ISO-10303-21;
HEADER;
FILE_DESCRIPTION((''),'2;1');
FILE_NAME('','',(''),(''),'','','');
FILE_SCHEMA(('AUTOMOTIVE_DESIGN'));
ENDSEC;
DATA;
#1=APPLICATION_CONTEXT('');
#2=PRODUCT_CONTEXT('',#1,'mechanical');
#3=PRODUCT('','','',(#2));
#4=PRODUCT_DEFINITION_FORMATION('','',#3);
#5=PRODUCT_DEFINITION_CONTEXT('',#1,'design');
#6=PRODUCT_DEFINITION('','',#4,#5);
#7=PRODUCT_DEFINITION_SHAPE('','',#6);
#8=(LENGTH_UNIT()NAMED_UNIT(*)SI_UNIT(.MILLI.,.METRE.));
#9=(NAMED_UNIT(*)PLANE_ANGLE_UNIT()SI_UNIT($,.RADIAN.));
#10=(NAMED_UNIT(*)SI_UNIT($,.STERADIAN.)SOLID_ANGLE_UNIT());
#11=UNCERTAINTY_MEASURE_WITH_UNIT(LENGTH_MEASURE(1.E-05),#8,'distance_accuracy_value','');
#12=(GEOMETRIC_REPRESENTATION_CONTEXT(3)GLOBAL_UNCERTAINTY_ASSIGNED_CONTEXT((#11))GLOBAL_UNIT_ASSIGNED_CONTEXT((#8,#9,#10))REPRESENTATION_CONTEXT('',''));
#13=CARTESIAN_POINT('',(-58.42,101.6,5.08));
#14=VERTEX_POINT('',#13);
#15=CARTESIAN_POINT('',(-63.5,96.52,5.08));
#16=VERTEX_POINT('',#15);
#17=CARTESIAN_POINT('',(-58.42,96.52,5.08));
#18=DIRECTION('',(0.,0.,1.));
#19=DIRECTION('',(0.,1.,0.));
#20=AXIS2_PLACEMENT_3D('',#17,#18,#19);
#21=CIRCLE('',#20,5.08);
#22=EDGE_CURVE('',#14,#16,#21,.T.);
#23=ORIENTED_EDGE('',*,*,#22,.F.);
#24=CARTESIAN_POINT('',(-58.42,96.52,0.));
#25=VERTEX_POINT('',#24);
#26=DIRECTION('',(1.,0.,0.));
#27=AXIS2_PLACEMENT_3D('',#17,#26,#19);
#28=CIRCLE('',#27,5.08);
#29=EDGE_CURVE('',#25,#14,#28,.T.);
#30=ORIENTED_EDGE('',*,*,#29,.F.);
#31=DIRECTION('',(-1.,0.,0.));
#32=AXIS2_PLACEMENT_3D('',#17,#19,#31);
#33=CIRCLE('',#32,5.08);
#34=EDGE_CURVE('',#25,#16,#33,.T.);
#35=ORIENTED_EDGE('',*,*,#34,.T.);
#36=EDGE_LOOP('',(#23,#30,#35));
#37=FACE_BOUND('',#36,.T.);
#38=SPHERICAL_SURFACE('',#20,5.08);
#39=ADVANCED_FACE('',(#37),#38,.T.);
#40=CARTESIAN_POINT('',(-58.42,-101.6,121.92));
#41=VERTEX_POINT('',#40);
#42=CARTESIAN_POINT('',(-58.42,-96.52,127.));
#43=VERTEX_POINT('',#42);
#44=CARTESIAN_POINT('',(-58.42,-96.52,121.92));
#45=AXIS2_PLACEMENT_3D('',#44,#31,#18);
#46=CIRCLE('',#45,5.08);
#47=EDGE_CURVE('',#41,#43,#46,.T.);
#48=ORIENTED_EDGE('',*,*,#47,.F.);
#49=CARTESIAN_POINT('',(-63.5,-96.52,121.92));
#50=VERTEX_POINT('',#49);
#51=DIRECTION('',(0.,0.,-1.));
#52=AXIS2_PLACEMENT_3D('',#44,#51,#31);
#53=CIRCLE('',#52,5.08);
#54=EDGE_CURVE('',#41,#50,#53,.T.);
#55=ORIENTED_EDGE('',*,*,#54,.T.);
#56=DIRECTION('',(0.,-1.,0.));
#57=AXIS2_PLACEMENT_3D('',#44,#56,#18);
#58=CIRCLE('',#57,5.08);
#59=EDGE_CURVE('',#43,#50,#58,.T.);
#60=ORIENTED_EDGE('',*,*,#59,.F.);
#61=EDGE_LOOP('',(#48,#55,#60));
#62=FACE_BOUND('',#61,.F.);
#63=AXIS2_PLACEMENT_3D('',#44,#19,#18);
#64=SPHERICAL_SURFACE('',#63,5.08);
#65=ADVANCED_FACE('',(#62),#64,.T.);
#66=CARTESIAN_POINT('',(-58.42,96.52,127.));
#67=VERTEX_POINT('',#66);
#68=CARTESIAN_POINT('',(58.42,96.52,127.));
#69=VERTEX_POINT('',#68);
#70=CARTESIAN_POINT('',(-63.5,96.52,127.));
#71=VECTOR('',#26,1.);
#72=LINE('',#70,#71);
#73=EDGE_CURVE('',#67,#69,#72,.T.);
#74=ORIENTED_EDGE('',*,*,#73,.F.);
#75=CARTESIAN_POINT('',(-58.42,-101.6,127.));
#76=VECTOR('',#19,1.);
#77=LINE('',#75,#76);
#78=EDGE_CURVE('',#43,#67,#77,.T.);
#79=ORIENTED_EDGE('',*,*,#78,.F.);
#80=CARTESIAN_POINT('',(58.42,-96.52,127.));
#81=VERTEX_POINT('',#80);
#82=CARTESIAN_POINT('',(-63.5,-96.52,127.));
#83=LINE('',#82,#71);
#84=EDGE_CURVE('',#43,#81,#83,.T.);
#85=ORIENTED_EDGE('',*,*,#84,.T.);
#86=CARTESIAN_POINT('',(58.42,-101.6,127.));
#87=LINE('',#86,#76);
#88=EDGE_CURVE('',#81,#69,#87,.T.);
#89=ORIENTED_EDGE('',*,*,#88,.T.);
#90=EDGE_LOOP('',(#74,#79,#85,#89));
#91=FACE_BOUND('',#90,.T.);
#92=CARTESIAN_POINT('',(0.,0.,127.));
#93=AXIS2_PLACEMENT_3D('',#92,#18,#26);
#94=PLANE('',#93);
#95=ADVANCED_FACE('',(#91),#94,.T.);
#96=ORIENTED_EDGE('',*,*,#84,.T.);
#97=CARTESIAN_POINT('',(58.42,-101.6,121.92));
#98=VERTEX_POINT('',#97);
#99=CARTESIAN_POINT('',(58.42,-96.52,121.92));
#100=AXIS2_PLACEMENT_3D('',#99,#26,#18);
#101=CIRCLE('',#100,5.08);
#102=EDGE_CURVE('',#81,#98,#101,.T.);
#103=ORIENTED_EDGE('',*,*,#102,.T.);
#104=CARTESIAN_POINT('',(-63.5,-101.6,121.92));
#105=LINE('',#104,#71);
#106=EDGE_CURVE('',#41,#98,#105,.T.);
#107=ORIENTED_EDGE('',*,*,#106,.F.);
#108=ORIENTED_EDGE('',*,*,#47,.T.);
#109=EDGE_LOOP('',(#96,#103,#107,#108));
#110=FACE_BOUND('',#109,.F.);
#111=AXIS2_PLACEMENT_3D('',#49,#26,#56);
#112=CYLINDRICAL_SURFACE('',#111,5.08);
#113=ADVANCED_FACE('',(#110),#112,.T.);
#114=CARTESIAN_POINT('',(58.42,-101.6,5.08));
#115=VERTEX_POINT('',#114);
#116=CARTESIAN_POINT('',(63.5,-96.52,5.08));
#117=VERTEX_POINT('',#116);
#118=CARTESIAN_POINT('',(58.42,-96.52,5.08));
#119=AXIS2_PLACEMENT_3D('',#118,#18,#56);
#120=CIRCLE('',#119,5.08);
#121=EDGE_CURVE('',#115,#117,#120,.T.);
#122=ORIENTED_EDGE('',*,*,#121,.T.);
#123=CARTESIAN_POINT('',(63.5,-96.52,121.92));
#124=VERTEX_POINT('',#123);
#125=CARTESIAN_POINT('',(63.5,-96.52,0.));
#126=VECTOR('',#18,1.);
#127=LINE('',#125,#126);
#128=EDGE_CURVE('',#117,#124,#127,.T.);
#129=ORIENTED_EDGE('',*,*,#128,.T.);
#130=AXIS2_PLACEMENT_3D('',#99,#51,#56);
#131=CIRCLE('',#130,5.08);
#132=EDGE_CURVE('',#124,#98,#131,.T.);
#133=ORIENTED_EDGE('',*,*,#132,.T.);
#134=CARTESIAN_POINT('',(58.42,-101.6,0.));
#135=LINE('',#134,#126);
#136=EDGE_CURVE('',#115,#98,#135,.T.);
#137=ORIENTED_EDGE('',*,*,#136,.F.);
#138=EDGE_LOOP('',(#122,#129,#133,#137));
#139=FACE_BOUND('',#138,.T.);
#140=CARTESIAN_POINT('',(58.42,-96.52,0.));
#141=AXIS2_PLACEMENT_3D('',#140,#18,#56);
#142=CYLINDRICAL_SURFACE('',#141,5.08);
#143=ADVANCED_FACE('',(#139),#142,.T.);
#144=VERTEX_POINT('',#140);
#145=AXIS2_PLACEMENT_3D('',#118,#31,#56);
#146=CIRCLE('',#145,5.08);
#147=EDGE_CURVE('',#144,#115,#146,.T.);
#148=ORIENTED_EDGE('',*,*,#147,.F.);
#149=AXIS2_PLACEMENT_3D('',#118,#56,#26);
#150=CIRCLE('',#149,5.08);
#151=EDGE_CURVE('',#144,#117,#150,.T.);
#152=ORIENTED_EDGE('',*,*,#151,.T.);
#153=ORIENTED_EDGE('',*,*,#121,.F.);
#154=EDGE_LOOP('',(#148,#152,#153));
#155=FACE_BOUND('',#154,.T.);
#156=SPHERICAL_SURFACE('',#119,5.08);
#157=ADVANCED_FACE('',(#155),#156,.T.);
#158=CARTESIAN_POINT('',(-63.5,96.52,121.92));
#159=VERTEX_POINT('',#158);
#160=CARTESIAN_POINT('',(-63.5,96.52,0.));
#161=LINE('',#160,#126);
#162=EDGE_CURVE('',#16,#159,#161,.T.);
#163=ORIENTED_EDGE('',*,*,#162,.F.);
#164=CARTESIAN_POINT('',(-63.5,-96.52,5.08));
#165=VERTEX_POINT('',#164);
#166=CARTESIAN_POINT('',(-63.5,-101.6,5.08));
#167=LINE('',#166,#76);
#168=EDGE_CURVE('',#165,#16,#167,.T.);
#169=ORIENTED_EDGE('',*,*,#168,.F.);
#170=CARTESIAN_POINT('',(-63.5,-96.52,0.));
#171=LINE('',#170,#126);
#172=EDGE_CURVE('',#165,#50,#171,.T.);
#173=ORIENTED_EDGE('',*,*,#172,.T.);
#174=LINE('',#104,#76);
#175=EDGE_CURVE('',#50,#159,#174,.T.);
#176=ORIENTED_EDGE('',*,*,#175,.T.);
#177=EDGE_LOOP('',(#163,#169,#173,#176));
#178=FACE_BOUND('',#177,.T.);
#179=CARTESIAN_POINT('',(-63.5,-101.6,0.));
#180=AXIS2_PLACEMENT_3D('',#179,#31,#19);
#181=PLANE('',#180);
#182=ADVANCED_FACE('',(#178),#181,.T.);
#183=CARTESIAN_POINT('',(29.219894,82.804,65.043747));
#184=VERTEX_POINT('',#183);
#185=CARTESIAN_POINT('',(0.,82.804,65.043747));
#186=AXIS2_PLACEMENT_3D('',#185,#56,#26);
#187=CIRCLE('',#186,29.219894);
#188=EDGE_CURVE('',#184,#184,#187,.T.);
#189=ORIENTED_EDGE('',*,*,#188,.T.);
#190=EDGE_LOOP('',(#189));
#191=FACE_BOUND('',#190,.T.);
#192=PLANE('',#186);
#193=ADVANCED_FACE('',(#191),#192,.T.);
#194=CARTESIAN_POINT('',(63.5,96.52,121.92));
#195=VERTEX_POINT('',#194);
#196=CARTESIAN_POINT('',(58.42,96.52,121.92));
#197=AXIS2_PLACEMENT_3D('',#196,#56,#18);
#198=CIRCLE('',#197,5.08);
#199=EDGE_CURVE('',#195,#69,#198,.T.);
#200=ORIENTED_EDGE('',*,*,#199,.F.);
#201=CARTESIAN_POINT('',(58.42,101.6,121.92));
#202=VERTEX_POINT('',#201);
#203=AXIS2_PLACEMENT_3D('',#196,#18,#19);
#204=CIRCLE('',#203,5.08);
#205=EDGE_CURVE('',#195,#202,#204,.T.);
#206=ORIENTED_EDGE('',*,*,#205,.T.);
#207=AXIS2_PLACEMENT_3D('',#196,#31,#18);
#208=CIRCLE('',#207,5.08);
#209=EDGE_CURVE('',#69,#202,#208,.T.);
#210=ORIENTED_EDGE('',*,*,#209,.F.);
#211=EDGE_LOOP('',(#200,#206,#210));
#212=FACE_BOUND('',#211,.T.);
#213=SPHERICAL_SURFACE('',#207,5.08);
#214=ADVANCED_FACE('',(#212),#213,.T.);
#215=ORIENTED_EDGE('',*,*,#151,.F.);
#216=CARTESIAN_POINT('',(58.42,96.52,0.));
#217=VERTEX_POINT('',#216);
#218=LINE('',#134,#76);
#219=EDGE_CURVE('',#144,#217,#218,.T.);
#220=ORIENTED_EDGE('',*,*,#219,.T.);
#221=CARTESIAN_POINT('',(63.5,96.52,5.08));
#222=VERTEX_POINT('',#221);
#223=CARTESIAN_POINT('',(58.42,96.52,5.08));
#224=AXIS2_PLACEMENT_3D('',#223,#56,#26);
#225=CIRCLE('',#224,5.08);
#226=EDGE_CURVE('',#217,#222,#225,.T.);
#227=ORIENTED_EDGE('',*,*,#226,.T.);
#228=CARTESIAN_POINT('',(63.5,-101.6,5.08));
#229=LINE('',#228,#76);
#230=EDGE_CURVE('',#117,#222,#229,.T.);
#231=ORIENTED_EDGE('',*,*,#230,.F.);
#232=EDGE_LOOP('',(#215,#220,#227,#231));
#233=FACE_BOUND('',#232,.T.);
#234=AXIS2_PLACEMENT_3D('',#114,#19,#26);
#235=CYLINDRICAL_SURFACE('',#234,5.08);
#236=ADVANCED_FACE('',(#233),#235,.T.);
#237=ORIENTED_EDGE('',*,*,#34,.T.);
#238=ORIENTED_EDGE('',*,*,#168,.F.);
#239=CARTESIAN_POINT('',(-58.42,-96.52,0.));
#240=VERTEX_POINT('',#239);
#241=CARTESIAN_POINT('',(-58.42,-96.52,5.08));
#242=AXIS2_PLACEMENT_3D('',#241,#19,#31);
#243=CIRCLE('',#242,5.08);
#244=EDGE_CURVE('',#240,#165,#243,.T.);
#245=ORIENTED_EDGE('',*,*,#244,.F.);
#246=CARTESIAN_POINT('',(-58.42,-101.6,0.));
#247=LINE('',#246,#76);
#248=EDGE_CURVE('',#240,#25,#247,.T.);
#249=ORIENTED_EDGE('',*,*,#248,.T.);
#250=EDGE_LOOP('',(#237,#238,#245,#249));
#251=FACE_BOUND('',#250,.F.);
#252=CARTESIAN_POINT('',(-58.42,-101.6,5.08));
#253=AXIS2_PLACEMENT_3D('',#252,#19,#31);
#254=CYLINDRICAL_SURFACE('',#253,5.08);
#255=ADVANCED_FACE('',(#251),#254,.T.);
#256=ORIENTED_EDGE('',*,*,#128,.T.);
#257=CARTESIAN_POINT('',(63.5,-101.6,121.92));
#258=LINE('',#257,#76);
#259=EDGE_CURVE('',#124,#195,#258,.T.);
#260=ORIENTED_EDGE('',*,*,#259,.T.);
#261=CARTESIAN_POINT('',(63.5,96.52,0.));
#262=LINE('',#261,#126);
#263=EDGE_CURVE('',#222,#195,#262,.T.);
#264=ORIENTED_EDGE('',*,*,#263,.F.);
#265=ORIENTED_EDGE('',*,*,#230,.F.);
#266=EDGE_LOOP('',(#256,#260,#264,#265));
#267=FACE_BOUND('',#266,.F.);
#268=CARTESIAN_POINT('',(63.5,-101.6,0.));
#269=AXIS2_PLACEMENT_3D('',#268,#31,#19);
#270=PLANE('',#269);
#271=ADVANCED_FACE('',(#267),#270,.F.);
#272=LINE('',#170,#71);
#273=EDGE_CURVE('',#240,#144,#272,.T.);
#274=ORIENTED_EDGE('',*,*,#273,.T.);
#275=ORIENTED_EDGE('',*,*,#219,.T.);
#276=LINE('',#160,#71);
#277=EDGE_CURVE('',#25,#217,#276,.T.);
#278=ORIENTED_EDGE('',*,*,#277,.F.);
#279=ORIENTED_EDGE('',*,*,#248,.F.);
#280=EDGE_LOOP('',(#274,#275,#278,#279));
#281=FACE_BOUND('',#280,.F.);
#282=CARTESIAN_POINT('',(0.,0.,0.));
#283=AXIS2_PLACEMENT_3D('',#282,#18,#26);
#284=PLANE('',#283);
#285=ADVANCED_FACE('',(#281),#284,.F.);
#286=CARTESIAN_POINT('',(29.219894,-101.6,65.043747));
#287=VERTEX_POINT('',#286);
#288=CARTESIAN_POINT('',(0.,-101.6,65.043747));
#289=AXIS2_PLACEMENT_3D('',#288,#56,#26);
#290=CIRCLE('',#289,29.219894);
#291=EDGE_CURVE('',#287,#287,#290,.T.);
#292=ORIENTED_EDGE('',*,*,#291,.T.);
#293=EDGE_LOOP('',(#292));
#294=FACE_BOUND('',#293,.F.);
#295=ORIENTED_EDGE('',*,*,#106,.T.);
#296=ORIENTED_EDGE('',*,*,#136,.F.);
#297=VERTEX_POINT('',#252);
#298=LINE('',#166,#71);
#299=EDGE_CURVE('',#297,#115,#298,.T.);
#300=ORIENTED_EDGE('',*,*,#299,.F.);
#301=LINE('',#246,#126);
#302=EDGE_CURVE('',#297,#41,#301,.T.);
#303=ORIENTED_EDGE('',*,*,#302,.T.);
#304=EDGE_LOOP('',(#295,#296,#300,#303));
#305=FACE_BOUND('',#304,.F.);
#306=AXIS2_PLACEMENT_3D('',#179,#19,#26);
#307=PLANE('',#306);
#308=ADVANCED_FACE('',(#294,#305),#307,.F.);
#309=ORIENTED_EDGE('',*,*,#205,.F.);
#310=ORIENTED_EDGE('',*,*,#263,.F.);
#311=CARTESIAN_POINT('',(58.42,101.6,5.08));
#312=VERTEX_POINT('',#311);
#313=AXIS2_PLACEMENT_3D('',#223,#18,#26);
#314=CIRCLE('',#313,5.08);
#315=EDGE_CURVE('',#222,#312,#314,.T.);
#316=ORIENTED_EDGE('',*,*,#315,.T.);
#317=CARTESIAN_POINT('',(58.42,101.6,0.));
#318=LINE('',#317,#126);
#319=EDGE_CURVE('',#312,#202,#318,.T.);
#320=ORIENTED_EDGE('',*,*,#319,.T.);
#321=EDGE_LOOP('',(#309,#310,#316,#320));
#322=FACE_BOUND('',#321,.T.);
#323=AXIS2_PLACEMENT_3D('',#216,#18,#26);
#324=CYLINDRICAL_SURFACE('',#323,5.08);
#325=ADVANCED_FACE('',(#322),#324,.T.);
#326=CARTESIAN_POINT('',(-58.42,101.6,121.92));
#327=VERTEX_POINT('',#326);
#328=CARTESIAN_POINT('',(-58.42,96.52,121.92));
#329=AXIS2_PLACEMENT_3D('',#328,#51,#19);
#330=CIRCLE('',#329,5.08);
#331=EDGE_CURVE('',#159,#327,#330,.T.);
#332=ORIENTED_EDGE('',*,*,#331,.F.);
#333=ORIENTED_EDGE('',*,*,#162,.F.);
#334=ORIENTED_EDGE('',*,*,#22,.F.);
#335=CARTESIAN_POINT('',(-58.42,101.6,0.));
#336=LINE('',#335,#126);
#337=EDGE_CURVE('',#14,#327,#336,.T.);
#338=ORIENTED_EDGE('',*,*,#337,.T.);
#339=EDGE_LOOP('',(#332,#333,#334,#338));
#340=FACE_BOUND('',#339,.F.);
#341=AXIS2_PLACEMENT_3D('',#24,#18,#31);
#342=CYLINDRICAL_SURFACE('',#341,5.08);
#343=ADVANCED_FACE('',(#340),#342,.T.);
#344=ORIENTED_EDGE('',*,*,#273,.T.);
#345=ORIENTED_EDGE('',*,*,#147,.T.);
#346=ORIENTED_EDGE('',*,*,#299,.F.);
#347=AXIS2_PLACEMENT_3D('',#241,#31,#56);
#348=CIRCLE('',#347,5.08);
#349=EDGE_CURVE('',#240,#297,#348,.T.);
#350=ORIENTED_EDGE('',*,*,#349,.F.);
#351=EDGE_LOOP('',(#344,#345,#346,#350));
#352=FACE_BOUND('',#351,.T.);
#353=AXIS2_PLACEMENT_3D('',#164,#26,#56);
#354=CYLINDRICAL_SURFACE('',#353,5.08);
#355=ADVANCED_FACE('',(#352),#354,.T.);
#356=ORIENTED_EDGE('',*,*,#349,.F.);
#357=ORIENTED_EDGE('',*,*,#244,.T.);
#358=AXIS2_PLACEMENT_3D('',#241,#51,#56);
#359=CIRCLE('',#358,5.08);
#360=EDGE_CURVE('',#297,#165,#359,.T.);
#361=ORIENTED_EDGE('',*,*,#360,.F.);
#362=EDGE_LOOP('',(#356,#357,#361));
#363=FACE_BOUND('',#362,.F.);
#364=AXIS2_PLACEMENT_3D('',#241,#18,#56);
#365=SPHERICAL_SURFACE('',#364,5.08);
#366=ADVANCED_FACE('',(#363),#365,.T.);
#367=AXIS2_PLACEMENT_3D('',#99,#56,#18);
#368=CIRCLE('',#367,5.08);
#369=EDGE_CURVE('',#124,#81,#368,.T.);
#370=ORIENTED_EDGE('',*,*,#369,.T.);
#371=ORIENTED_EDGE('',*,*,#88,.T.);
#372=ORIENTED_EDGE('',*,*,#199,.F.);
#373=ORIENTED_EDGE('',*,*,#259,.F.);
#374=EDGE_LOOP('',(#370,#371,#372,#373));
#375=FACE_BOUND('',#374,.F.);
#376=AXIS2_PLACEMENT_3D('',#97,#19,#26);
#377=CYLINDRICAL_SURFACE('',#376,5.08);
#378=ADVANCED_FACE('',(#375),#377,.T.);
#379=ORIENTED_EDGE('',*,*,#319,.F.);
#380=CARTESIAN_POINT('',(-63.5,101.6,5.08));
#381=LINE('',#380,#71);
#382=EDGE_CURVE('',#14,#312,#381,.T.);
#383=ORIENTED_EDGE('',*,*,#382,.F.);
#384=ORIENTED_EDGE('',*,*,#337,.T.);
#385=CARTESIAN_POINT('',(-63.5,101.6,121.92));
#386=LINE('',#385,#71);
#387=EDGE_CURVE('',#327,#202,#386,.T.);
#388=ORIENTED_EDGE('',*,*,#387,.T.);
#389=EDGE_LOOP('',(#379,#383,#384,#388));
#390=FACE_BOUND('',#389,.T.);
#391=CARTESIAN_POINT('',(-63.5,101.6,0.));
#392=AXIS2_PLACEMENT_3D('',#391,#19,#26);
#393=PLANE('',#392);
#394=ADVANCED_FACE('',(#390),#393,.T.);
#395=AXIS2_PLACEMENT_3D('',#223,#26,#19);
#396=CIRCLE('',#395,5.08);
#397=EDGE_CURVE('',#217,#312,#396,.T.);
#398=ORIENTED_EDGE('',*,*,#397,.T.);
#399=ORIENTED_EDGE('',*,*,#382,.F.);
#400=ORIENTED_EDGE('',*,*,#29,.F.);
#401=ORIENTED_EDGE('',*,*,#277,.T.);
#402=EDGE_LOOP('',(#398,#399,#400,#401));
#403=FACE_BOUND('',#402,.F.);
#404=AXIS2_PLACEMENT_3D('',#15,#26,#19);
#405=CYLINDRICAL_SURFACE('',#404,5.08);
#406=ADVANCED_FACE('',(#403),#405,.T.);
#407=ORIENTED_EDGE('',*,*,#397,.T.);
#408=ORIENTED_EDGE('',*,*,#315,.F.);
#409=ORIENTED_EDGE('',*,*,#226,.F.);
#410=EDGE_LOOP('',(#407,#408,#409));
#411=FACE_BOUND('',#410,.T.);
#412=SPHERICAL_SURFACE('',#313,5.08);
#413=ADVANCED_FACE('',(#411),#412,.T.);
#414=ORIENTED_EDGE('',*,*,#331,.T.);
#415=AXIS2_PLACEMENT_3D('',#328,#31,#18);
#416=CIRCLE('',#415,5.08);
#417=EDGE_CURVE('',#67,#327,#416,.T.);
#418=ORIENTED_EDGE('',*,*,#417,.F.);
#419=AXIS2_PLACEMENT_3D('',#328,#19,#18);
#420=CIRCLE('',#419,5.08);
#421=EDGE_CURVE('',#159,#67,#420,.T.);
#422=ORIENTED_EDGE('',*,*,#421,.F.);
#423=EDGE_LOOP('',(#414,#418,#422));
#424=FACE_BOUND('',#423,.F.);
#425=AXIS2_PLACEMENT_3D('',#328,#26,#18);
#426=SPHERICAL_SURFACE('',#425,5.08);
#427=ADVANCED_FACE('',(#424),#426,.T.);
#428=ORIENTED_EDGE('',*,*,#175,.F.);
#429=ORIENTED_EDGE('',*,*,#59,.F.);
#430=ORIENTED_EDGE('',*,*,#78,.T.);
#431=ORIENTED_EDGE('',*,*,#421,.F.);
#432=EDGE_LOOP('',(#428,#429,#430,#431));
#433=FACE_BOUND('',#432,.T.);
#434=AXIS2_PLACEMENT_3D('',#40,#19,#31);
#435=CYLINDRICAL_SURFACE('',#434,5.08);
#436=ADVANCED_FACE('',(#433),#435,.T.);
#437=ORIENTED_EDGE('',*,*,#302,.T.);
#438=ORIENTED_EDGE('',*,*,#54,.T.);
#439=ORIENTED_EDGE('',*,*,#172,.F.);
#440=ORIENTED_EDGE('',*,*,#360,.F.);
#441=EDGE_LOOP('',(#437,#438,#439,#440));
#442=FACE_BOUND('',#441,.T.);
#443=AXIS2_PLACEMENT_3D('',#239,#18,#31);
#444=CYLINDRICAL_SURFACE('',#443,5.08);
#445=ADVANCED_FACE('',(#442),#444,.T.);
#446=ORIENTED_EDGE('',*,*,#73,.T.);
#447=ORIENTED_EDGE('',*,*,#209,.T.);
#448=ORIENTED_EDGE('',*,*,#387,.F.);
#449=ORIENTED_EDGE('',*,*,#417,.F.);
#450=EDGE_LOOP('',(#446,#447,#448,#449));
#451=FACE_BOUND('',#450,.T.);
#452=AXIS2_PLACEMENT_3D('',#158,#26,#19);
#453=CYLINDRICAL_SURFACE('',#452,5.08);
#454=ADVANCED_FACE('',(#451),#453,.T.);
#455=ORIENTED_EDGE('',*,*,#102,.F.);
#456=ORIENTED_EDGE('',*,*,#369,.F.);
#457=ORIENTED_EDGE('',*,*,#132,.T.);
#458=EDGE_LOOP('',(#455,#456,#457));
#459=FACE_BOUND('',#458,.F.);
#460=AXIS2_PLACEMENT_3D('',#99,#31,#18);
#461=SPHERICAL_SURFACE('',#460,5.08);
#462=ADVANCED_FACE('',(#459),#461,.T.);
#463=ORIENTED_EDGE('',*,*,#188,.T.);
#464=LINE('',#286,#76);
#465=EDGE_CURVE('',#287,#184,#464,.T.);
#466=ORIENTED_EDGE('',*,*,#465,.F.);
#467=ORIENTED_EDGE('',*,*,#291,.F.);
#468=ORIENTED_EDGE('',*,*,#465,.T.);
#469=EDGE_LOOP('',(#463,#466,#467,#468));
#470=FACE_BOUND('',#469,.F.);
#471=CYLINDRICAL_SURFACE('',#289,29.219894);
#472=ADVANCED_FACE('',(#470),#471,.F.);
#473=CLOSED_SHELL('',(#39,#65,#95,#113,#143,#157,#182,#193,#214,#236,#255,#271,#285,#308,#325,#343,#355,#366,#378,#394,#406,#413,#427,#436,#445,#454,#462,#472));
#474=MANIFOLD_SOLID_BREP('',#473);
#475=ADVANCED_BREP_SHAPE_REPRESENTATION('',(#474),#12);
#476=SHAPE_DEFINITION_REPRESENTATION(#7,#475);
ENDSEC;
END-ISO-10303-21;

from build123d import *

# Parameters (mm, degrees)
F0_W     = 127
F0_H     = 203.2
F1_DEPTH = 127
F2_R     = 5.08
F3_R     = 29.219894
F4_DEPTH = 184.404


with BuildPart() as f1:
    # F0 (on Top) → F1 (new body)
    with BuildSketch(Plane.XY):
        Rectangle(F0_W, F0_H)
    extrude(amount=F1_DEPTH)

    # F2
    f2_edges = [f1.edges().sort_by_distance(p)[0] for p in [
        (0, 101.6, 127),
        (-63.5, 0, 127),
        (0, -101.6, 127),
        (63.5, 0, 127),
        (-63.5, -101.6, 63.5),
        (63.5, -101.6, 63.5),
        (0, -101.6, 0),
        (63.5, 101.6, 63.5),
        (63.5, 0, 0),
        (-63.5, 101.6, 63.5),
        (0, 101.6, 0),
        (-63.5, 0, 0),
    ]]
    fillet(f2_edges, radius=F2_R)

    # F3 (on face) → F4 (cut)
    with BuildSketch(Plane.XZ.offset(101.6)):
        with Locations((0, 65.043747)):
            Circle(F3_R)
    extrude(amount=-F4_DEPTH, mode=Mode.SUBTRACT)


solid = f1.part
